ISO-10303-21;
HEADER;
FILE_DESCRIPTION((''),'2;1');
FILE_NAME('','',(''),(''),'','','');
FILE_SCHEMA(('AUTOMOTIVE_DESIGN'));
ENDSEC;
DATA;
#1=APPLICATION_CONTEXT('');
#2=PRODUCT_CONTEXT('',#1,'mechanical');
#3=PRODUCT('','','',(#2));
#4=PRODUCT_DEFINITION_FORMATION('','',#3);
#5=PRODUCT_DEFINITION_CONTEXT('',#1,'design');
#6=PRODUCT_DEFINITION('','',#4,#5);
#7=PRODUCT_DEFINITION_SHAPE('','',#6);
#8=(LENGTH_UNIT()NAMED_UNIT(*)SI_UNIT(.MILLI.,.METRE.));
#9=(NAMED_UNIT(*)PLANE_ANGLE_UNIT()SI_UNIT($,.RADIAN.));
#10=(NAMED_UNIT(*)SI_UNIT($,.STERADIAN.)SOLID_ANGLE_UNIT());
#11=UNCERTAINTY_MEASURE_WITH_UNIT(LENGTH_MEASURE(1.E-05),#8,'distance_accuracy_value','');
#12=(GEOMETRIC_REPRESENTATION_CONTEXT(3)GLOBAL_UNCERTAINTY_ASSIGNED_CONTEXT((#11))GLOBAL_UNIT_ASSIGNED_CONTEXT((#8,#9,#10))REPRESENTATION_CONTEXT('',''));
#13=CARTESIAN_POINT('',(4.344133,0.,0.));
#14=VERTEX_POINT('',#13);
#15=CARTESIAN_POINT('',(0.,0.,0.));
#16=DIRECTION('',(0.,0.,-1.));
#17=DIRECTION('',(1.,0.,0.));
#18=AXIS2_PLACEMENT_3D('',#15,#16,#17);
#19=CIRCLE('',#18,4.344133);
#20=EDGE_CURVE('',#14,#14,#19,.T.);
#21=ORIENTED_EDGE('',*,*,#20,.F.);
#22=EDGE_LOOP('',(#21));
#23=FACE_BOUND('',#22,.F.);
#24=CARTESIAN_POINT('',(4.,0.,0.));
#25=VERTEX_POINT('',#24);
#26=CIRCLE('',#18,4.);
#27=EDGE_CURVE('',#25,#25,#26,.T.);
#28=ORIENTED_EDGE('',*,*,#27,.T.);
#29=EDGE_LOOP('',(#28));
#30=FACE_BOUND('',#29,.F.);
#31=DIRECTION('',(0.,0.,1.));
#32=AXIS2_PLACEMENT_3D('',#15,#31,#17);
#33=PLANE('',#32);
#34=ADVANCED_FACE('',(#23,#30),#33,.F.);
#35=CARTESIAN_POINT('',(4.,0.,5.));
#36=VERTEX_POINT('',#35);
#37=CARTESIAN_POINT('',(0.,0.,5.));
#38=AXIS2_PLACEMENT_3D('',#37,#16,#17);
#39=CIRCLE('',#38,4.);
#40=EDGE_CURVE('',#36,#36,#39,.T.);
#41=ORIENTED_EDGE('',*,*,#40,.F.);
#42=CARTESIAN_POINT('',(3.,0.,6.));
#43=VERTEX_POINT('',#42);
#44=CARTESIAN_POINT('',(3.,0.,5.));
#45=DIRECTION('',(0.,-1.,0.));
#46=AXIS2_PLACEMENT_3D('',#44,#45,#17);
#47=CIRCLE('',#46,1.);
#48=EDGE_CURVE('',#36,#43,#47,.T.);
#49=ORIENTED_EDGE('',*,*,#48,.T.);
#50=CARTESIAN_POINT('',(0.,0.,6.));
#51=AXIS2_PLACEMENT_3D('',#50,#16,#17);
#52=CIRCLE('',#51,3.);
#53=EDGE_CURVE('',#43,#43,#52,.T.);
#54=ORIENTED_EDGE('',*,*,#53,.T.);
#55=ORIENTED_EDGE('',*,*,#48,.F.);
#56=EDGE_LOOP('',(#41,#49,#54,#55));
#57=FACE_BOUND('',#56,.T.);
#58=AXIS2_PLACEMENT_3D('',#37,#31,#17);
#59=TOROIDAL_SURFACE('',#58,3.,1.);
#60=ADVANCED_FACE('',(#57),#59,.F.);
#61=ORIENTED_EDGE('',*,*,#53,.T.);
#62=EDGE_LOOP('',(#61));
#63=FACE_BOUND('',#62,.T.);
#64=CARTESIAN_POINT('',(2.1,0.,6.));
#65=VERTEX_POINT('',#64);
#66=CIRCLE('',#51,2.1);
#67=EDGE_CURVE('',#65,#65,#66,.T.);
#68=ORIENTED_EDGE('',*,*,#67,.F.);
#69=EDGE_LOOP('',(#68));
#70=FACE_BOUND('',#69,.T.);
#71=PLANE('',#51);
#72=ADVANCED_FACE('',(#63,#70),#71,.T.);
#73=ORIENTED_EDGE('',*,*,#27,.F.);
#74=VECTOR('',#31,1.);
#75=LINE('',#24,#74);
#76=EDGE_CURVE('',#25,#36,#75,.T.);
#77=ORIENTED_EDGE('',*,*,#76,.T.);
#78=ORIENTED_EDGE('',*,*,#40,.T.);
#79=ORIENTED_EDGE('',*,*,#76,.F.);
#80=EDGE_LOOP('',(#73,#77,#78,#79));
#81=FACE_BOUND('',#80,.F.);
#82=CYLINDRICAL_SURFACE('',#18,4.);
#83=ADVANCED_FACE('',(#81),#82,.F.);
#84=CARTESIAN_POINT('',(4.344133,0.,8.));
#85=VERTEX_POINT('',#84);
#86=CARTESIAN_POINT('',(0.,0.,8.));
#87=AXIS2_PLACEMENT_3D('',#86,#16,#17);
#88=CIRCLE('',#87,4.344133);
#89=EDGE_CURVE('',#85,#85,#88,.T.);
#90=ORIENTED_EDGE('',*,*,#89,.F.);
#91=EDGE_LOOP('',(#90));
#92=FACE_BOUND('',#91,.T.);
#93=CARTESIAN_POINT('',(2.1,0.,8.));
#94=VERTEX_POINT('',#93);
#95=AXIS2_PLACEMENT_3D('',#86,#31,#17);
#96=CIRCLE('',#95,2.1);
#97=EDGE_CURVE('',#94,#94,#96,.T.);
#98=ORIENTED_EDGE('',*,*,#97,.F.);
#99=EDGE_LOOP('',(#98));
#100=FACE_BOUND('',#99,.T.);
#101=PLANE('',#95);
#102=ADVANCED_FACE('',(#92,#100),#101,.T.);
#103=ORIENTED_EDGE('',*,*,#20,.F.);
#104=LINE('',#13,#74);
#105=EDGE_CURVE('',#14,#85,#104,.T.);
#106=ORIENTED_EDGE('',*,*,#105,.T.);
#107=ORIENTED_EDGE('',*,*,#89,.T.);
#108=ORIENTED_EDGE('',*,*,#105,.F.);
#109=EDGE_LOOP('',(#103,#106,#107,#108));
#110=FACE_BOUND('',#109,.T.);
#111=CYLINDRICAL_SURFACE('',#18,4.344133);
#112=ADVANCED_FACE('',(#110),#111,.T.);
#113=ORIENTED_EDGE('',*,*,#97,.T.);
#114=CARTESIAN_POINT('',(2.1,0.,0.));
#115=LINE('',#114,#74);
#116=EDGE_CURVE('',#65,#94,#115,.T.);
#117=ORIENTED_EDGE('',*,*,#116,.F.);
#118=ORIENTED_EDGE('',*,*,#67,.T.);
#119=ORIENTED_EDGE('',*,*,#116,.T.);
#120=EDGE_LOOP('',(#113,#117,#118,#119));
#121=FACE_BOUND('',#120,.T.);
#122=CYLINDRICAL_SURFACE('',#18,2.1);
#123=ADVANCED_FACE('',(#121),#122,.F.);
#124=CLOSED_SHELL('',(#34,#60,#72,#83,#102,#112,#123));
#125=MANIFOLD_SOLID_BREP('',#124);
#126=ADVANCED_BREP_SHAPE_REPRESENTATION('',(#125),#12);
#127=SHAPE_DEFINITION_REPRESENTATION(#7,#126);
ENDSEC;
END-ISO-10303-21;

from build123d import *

# Parameters (mm, degrees)
F0_W     = 9
F0_H     = 9
F0_R     = 3.5
F0_R_2   = 2.1
F1_DEPTH = 8
F2_R     = 4
F2_R_2   = 2.1
F3_DEPTH = 6
F4_R     = 1
F5_R     = 6.9957101535
F5_R_2   = 4.3441334804
F6_DEPTH = 25


with BuildPart() as f1:
    # F0 (on Top) → F1 (new body)
    with BuildSketch(Plane.XY):
        Rectangle(F0_W, F0_H)
        Circle(F0_R, mode=Mode.SUBTRACT)
        Circle(F0_R)
        Circle(F0_R_2, mode=Mode.SUBTRACT)
    extrude(amount=F1_DEPTH)

    # F2 (on face) → F3 (cut)
    with BuildSketch(Plane(origin=(0, 0, 0), x_dir=(1, 0, 0), z_dir=(0, 0, -1))):
        Circle(F2_R)
        Circle(F2_R_2, mode=Mode.SUBTRACT)
    extrude(amount=-F3_DEPTH, mode=Mode.SUBTRACT)

    # F4
    f4_edges = [f1.edges().sort_by_distance(p)[0] for p in [
        (-4, 0, 6),
    ]]
    fillet(f4_edges, radius=F4_R)

    # F5 (on face) → F6 (cut)
    with BuildSketch(Plane(origin=(0, 0, 0), x_dir=(1, 0, 0), z_dir=(0, 0, -1))):
        Circle(F5_R)
        Circle(F5_R_2, mode=Mode.SUBTRACT)
    extrude(amount=-F6_DEPTH, mode=Mode.SUBTRACT)


solid = f1.part
